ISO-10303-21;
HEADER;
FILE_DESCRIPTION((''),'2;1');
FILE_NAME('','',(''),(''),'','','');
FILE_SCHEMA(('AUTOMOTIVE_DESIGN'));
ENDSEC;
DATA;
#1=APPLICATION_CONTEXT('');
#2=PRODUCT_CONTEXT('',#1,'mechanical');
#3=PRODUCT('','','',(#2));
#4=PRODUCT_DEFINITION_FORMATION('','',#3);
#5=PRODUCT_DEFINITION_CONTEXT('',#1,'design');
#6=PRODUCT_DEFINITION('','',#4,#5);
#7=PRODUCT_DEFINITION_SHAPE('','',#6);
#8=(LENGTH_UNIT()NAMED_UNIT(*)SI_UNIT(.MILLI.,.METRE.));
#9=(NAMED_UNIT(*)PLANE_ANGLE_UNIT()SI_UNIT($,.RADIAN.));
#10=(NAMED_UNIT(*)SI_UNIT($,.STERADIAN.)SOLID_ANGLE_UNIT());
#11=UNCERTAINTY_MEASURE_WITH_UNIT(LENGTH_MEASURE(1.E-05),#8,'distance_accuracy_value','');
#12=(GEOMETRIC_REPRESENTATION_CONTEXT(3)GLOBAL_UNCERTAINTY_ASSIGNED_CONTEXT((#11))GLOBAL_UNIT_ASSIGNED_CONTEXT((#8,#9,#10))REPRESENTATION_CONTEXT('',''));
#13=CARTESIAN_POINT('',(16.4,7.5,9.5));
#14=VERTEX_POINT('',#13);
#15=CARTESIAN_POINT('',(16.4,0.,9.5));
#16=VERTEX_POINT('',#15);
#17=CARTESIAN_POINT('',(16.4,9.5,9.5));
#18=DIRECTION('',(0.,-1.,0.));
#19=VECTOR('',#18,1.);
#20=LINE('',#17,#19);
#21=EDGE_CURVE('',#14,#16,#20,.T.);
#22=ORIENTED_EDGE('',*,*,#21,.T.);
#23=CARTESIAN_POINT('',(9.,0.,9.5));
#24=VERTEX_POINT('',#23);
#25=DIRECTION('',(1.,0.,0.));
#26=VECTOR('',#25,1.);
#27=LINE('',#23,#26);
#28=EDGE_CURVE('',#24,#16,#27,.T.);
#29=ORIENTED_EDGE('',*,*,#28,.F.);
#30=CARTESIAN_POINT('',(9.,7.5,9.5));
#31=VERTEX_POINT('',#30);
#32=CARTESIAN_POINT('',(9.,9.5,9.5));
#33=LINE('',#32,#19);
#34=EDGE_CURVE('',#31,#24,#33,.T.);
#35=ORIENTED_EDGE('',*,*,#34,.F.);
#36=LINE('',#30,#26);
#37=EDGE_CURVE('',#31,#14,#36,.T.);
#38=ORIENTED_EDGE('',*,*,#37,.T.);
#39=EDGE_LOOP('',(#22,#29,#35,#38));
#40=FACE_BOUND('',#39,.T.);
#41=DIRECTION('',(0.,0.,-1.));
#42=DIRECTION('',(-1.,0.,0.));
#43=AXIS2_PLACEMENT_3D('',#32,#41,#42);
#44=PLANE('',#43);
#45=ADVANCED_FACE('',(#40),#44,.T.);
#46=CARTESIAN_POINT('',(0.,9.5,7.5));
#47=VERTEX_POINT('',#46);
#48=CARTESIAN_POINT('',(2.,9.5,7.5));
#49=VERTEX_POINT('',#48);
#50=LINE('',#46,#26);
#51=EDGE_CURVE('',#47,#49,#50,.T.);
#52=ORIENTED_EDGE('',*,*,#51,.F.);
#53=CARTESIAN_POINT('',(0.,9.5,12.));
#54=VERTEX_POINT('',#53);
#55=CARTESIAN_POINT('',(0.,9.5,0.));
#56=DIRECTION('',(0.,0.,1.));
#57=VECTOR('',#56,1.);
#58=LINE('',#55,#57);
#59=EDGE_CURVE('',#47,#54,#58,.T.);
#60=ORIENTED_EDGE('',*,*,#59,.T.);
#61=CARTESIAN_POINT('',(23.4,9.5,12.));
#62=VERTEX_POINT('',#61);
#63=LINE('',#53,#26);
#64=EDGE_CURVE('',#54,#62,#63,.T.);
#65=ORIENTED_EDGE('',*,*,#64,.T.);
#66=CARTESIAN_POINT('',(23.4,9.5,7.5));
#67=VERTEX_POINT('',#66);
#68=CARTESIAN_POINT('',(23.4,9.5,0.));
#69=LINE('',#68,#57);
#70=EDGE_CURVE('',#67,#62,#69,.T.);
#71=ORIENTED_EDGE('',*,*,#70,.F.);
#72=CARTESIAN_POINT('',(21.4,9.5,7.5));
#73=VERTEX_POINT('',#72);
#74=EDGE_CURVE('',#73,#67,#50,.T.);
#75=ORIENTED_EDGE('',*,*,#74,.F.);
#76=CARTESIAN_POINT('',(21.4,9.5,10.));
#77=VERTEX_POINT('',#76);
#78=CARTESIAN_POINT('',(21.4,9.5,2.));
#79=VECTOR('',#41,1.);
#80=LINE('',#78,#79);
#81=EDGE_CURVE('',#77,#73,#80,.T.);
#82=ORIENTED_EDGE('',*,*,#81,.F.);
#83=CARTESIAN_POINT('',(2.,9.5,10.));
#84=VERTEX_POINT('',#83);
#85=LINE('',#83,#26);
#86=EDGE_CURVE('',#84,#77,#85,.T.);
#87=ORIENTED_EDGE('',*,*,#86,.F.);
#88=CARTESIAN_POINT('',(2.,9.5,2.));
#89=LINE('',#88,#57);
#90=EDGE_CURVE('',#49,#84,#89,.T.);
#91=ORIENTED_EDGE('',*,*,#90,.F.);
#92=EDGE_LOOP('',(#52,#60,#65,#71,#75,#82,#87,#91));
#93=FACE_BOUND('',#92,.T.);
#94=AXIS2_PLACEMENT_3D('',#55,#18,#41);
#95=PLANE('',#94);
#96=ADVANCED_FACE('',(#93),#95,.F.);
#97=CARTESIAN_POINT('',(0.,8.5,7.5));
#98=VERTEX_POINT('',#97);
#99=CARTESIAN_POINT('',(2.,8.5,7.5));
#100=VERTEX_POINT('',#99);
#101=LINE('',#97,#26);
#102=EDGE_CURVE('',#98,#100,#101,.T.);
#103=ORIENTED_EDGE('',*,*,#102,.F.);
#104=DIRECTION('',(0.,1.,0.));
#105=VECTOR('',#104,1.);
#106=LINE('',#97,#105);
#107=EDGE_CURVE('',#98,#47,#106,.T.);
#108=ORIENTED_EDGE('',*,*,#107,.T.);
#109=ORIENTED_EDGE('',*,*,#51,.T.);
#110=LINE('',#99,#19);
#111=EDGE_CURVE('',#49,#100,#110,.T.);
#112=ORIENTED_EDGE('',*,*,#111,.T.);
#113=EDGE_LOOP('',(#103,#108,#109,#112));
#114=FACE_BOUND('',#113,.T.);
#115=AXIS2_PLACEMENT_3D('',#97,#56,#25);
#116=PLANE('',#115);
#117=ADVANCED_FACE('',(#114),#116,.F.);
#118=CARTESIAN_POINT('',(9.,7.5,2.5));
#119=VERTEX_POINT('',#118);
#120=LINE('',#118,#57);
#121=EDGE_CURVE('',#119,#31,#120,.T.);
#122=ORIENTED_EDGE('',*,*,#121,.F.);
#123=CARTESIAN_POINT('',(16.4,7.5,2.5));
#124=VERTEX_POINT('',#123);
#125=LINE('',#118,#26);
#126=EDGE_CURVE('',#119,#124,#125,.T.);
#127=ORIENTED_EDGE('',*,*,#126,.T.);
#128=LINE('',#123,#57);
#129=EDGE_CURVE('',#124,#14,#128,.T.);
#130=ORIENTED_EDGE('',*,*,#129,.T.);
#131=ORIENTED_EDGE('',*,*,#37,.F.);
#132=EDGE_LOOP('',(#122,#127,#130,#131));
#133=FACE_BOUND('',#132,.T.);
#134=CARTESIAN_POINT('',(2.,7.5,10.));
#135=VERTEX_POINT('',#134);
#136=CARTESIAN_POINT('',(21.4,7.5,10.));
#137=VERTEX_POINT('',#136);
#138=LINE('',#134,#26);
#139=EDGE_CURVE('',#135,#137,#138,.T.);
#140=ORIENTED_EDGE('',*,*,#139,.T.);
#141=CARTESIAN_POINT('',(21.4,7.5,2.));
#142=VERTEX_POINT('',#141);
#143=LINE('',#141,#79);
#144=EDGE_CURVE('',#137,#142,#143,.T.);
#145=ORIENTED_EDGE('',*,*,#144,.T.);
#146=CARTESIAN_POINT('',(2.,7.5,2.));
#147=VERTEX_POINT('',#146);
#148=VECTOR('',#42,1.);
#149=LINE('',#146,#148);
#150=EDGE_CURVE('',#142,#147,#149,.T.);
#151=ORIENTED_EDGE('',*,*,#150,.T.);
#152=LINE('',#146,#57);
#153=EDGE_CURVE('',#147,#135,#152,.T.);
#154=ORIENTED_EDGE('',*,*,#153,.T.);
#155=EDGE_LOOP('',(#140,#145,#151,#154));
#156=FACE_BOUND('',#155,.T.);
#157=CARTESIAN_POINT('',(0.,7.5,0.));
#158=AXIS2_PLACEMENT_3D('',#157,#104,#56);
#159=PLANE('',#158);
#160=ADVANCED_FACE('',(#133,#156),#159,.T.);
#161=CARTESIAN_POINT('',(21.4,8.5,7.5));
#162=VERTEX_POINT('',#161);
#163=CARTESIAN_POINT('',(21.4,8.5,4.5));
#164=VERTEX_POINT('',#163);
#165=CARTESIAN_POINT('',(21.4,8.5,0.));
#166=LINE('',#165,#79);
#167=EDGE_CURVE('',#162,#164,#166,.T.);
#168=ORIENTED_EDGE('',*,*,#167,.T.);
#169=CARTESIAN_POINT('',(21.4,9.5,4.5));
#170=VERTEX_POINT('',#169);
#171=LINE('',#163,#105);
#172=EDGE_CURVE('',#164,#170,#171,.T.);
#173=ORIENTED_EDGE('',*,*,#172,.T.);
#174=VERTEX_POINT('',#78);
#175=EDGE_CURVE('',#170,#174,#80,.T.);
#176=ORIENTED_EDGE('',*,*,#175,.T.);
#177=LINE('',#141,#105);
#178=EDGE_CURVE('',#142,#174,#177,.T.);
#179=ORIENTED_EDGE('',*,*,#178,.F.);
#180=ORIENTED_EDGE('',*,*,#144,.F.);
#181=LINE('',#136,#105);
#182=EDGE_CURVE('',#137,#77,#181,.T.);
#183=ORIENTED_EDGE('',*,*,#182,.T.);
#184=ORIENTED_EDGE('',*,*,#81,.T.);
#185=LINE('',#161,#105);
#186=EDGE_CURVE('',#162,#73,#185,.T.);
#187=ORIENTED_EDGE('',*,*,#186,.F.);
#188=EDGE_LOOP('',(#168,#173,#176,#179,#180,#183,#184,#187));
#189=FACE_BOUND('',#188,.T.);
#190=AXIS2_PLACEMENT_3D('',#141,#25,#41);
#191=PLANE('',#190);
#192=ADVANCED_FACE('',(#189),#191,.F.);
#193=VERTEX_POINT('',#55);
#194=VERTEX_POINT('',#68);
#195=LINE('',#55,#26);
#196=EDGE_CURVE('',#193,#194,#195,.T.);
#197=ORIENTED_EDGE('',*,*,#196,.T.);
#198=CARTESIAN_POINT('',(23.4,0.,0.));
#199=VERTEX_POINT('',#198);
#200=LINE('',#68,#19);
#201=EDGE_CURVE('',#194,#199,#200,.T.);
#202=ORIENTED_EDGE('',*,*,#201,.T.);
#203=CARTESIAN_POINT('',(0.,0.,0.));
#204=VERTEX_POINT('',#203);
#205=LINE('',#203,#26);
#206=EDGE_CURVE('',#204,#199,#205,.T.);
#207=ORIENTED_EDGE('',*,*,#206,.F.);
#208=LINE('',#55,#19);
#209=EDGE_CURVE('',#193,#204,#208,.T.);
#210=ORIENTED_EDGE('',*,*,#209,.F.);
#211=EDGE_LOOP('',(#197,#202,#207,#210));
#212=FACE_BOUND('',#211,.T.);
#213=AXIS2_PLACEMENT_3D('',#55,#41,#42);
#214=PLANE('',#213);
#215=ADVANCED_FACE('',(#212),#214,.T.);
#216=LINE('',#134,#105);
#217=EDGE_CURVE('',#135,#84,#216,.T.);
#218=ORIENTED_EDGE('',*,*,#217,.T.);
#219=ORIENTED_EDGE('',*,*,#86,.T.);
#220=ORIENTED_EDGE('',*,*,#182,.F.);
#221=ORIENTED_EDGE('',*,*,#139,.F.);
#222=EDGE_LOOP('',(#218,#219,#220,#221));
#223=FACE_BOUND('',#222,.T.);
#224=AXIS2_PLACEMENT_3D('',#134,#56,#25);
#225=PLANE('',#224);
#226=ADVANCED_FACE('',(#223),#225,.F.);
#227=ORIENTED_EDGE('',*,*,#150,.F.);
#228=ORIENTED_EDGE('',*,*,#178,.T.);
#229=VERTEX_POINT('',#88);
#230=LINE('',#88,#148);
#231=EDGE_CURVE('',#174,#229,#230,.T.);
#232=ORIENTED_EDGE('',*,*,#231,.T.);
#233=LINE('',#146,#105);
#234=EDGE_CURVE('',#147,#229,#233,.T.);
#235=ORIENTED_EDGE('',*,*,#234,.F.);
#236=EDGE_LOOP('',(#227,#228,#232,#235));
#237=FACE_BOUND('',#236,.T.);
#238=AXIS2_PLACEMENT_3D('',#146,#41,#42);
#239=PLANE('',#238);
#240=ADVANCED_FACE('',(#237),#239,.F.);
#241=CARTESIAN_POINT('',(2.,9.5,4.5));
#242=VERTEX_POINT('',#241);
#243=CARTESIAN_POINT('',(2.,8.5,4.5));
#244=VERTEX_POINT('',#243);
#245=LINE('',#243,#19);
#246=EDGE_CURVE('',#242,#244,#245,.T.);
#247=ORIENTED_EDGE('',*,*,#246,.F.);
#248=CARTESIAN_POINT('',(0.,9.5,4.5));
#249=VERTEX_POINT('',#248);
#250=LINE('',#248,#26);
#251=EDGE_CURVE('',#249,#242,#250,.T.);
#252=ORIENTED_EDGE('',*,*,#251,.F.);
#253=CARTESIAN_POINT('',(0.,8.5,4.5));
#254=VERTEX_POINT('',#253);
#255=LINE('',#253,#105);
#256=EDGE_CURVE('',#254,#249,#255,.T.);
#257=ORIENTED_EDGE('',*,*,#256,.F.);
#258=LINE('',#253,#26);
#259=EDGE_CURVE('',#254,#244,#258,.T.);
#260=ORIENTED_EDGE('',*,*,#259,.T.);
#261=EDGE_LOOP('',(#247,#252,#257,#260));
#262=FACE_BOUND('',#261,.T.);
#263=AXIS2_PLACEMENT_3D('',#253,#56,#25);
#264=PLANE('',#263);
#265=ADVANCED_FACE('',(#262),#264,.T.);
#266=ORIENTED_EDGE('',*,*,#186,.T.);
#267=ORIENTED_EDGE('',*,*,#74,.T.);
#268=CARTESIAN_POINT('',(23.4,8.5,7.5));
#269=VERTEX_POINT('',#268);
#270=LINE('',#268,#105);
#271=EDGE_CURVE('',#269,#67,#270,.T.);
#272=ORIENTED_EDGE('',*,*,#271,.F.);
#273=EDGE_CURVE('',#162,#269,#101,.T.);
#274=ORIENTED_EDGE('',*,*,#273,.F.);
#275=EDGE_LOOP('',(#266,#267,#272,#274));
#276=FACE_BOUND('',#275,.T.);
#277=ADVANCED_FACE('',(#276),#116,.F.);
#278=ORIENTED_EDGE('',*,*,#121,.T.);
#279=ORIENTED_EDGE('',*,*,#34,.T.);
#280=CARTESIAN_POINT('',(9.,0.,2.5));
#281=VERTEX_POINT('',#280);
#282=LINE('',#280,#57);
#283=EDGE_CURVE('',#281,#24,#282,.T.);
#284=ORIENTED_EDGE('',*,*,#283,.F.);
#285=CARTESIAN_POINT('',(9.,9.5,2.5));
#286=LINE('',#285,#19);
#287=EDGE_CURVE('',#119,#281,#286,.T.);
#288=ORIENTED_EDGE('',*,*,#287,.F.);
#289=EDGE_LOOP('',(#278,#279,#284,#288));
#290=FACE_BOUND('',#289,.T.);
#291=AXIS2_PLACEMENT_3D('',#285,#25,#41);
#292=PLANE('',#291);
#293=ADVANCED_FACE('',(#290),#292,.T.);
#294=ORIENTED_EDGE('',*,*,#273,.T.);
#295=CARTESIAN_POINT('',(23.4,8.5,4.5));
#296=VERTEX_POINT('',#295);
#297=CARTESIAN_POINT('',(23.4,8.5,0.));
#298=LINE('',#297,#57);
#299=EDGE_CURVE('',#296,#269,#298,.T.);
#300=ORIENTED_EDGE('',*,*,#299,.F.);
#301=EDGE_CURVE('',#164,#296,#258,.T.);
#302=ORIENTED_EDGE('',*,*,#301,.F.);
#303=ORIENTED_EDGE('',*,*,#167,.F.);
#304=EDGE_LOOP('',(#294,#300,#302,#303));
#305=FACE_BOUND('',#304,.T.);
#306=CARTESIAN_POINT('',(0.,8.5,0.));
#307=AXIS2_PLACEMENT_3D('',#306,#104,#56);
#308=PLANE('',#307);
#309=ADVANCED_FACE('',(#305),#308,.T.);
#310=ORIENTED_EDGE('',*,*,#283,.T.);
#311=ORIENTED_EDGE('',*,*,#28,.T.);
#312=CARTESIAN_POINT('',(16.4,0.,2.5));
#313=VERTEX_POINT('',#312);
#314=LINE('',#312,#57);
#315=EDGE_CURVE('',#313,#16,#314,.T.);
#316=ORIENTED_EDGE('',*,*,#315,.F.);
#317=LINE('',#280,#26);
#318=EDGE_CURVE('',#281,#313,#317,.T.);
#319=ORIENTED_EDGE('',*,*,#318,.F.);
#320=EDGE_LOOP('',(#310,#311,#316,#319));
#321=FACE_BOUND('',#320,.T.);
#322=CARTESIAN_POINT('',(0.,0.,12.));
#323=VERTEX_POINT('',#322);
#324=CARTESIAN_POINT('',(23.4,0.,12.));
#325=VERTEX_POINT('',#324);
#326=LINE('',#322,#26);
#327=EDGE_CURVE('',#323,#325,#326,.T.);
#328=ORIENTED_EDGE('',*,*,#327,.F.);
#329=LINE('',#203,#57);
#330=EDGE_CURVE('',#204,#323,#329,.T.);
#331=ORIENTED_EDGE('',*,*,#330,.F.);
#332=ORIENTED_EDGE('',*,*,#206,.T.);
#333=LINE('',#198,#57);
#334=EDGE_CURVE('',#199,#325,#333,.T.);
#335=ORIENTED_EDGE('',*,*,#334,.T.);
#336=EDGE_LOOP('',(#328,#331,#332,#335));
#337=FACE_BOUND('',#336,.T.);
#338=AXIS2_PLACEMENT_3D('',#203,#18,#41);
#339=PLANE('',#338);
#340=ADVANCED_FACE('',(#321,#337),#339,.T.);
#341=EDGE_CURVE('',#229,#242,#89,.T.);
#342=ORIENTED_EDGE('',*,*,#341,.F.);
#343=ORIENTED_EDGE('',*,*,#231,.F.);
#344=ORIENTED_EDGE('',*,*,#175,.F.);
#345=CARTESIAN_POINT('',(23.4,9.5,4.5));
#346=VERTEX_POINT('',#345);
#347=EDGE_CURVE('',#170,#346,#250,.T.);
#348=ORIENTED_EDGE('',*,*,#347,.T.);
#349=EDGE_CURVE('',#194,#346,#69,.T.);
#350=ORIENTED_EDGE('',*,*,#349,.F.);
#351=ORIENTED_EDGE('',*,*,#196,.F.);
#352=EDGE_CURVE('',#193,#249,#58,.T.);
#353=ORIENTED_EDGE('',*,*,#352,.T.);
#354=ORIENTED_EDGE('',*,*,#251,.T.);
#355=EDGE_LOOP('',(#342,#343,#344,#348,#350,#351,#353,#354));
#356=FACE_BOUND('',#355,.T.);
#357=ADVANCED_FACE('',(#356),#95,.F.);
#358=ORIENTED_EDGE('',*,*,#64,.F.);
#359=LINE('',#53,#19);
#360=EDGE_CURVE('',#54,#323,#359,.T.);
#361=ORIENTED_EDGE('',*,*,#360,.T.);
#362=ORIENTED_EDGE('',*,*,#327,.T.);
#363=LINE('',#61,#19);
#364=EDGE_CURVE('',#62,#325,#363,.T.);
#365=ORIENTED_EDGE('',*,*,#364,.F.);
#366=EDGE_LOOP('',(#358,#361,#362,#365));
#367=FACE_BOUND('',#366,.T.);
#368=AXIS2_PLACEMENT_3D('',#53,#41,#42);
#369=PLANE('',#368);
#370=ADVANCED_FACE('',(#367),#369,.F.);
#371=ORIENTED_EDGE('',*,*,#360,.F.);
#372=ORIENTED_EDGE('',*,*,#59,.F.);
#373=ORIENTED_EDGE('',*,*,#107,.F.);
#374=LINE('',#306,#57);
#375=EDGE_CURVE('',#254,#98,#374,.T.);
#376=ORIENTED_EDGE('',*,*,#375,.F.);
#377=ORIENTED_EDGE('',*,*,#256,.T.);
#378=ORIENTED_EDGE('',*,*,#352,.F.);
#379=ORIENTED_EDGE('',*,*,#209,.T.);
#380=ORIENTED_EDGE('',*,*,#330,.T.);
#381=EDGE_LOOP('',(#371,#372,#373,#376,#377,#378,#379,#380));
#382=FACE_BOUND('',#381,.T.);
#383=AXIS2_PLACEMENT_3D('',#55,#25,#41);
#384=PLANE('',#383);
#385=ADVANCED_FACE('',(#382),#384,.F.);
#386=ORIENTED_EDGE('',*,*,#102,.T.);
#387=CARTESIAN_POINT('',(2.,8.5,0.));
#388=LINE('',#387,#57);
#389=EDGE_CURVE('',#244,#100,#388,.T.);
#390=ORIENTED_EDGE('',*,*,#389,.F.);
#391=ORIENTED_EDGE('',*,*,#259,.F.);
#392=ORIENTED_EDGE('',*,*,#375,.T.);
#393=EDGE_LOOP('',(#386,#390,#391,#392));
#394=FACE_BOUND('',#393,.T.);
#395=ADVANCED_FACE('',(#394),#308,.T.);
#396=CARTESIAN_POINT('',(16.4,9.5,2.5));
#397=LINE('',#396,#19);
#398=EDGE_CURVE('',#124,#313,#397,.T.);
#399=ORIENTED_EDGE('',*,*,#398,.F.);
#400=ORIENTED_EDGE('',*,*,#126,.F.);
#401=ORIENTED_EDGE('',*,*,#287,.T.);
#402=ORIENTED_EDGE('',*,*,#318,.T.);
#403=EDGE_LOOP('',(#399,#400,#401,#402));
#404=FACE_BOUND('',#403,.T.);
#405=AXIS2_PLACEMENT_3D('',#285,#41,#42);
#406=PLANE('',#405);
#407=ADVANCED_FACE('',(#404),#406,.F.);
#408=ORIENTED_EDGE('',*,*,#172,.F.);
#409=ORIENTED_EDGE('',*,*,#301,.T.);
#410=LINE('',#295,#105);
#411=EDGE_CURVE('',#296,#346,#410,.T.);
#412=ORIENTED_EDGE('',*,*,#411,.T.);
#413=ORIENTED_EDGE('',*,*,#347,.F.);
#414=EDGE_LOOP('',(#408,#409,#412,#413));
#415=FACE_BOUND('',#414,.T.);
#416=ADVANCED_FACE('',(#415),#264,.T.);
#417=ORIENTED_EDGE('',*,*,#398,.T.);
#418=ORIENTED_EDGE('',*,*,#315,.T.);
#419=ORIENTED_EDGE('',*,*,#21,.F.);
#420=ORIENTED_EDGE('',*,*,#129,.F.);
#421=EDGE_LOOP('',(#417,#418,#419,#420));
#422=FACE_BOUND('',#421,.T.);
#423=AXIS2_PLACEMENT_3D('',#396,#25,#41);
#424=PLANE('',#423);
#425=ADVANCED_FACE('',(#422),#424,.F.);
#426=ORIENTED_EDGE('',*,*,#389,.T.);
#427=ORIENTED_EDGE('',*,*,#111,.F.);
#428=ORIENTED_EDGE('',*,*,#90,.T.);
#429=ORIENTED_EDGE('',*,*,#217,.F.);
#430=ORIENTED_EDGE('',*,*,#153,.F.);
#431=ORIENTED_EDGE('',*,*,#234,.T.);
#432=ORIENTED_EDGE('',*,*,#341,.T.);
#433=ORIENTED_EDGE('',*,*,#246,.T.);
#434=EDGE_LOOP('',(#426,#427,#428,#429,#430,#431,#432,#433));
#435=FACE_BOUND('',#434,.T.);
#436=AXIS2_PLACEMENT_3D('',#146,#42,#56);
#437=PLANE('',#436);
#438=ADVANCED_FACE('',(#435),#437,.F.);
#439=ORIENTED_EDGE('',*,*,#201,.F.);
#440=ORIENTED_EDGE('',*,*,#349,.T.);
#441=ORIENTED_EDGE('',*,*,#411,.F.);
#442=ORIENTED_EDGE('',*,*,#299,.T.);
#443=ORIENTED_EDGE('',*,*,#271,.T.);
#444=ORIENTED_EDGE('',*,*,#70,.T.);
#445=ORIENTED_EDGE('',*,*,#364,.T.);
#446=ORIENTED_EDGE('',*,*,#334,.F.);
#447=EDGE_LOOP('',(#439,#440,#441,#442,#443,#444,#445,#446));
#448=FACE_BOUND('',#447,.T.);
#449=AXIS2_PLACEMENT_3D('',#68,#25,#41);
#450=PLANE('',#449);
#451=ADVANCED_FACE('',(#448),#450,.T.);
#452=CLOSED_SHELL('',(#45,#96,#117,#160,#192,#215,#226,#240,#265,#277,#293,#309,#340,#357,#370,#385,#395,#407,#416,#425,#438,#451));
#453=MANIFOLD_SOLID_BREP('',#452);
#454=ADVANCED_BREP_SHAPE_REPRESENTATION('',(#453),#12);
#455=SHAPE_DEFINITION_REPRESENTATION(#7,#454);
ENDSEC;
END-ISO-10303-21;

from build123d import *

# Parameters (mm, degrees)
SKETCH_1_W          = 23.4
SKETCH_1_H          = 12
SKETCH_1_W_2        = 7.4
SKETCH_1_H_2        = 7
EXTRUDE_1_DEPTH     = 9.5
CUT_EXTRUDE_START   = 9.5
SKETCH_1_4_W        = 23.4
SKETCH_1_4_H        = 3
CUT_EXTRUDE_2_DEPTH = 1
SKETCH_2_W          = 19.4
SKETCH_2_H          = 8
CUT_EXTRUDE_3_DEPTH = 2


with BuildPart() as part:
    # 草图1 → 凸台-拉伸1 (new body)
    with BuildSketch(Plane(origin=(0, 0, 0), x_dir=(1, 0, 0), z_dir=(0, 1, 0))):
        with Locations((11.7, -6)):
            Rectangle(SKETCH_1_W, SKETCH_1_H)
        with Locations((12.7, -6)):
            Rectangle(SKETCH_1_W_2, SKETCH_1_H_2, mode=Mode.SUBTRACT)
    extrude(amount=EXTRUDE_1_DEPTH)

    # 草图1<4> → 切除-拉伸2 (cut)
    with BuildSketch(Plane(origin=(0, 0, 0), x_dir=(1, 0, 0), z_dir=(0, 1, 0)).offset(CUT_EXTRUDE_START)):
        with Locations((11.7, -6)):
            Rectangle(SKETCH_1_4_W, SKETCH_1_4_H)
    extrude(amount=-CUT_EXTRUDE_2_DEPTH, mode=Mode.SUBTRACT)

    # 草图2 → 切除-拉伸3 (cut)
    with BuildSketch(Plane(origin=(0, 9.5, 0), x_dir=(1, 0, 0), z_dir=(0, 1, 0))):
        with Locations((11.7, -6)):
            Rectangle(SKETCH_2_W, SKETCH_2_H)
    extrude(amount=-CUT_EXTRUDE_3_DEPTH, mode=Mode.SUBTRACT)


solid = part.part
